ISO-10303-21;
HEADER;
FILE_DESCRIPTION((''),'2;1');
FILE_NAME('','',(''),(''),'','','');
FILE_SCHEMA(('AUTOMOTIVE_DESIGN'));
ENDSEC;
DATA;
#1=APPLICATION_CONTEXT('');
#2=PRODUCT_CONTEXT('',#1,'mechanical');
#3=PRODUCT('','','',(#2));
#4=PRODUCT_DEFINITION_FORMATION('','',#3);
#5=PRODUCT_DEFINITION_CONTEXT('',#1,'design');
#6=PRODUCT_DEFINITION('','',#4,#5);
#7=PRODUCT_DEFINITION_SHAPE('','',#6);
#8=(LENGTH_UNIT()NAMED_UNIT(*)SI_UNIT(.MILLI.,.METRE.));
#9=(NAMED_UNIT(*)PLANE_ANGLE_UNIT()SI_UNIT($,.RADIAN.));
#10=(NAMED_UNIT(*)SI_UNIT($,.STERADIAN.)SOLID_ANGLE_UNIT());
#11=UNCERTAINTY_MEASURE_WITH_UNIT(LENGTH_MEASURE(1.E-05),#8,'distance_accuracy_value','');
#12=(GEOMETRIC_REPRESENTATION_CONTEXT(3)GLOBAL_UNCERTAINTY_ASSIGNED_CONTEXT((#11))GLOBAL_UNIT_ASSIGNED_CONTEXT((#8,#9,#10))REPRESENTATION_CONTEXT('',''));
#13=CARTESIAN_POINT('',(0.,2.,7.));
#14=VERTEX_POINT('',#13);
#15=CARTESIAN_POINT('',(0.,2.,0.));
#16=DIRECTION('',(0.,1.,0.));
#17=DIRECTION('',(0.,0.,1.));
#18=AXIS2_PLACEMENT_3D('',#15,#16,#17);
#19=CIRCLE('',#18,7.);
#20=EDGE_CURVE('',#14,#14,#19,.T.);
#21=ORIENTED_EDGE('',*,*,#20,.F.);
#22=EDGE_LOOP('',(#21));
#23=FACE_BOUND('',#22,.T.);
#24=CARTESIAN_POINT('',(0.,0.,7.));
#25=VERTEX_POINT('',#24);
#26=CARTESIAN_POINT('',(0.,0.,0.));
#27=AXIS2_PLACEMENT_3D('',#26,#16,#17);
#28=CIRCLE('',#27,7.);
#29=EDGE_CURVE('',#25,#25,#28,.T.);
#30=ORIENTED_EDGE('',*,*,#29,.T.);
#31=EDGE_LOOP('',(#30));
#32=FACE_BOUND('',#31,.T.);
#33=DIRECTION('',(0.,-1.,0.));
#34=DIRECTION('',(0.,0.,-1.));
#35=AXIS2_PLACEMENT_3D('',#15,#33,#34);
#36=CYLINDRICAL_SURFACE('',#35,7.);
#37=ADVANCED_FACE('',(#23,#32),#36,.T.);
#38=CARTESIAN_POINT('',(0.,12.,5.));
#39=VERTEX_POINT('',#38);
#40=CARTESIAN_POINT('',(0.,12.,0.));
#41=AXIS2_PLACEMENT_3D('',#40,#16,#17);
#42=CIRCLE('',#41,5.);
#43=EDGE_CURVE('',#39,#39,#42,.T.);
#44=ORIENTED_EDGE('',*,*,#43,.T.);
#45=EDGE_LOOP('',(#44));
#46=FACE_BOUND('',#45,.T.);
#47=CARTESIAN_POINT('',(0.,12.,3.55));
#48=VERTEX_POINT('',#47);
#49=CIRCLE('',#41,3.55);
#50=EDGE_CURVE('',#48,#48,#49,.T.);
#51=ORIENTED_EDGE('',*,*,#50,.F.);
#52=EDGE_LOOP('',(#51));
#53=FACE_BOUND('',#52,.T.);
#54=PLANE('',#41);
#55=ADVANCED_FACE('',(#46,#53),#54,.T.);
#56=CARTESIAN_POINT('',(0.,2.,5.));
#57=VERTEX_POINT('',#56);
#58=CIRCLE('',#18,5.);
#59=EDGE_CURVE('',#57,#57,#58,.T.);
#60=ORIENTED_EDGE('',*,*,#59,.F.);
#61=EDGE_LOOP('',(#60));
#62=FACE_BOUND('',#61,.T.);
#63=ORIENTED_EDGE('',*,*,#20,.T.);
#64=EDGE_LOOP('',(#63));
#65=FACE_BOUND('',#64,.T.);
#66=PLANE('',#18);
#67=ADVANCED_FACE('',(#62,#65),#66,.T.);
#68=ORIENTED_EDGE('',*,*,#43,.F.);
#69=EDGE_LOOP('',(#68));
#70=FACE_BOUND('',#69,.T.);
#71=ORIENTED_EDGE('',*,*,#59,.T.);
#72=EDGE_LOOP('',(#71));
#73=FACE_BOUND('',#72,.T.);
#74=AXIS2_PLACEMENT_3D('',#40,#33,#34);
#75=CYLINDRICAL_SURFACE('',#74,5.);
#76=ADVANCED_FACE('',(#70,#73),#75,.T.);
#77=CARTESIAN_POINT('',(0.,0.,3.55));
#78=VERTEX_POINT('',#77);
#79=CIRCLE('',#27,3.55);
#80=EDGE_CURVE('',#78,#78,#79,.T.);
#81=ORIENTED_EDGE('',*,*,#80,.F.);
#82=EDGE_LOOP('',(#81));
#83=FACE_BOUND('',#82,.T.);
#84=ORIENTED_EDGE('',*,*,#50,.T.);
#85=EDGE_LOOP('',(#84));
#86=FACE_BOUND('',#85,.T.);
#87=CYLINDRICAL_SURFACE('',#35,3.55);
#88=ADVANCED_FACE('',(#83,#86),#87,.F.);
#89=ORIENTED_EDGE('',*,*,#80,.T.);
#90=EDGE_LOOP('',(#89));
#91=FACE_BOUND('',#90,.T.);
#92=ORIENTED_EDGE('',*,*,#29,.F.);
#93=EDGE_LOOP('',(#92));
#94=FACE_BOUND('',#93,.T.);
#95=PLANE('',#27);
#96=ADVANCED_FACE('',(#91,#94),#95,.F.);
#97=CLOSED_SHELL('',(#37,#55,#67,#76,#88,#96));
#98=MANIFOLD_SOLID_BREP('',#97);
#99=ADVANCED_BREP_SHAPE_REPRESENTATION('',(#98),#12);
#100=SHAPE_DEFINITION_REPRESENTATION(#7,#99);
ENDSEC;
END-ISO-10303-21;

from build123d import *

# Parameters (mm, degrees)
SKETCH1_R           = 7
SKETCH1_R_2         = 3.55
BOSS_EXTRUDE1_DEPTH = 2
SKETCH2_R           = 5
SKETCH2_R_2         = 3.55
BOSS_EXTRUDE2_DEPTH = 10


with BuildPart() as part:
    # Sketch1 → Boss-Extrude1 (new body)
    with BuildSketch(Plane(origin=(0, 0, 0), x_dir=(1, 0, 0), z_dir=(0, 1, 0))):
        with Locations(Location((0, 0, 0), (0, 0, 270))):
            Circle(SKETCH1_R)
        with Locations(Location((0, 0, 0), (0, 0, 270))):
            Circle(SKETCH1_R_2, mode=Mode.SUBTRACT)
    extrude(amount=BOSS_EXTRUDE1_DEPTH)

    # Sketch2 → Boss-Extrude2 (add)
    with BuildSketch(Plane(origin=(0, 2, 0), x_dir=(1, 0, 0), z_dir=(0, 1, 0))):
        with Locations(Location((0, 0, 0), (0, 0, 270))):
            Circle(SKETCH2_R)
        with Locations(Location((0, 0, 0), (0, 0, 270))):
            Circle(SKETCH2_R_2, mode=Mode.SUBTRACT)
    extrude(amount=BOSS_EXTRUDE2_DEPTH)


solid = part.part
